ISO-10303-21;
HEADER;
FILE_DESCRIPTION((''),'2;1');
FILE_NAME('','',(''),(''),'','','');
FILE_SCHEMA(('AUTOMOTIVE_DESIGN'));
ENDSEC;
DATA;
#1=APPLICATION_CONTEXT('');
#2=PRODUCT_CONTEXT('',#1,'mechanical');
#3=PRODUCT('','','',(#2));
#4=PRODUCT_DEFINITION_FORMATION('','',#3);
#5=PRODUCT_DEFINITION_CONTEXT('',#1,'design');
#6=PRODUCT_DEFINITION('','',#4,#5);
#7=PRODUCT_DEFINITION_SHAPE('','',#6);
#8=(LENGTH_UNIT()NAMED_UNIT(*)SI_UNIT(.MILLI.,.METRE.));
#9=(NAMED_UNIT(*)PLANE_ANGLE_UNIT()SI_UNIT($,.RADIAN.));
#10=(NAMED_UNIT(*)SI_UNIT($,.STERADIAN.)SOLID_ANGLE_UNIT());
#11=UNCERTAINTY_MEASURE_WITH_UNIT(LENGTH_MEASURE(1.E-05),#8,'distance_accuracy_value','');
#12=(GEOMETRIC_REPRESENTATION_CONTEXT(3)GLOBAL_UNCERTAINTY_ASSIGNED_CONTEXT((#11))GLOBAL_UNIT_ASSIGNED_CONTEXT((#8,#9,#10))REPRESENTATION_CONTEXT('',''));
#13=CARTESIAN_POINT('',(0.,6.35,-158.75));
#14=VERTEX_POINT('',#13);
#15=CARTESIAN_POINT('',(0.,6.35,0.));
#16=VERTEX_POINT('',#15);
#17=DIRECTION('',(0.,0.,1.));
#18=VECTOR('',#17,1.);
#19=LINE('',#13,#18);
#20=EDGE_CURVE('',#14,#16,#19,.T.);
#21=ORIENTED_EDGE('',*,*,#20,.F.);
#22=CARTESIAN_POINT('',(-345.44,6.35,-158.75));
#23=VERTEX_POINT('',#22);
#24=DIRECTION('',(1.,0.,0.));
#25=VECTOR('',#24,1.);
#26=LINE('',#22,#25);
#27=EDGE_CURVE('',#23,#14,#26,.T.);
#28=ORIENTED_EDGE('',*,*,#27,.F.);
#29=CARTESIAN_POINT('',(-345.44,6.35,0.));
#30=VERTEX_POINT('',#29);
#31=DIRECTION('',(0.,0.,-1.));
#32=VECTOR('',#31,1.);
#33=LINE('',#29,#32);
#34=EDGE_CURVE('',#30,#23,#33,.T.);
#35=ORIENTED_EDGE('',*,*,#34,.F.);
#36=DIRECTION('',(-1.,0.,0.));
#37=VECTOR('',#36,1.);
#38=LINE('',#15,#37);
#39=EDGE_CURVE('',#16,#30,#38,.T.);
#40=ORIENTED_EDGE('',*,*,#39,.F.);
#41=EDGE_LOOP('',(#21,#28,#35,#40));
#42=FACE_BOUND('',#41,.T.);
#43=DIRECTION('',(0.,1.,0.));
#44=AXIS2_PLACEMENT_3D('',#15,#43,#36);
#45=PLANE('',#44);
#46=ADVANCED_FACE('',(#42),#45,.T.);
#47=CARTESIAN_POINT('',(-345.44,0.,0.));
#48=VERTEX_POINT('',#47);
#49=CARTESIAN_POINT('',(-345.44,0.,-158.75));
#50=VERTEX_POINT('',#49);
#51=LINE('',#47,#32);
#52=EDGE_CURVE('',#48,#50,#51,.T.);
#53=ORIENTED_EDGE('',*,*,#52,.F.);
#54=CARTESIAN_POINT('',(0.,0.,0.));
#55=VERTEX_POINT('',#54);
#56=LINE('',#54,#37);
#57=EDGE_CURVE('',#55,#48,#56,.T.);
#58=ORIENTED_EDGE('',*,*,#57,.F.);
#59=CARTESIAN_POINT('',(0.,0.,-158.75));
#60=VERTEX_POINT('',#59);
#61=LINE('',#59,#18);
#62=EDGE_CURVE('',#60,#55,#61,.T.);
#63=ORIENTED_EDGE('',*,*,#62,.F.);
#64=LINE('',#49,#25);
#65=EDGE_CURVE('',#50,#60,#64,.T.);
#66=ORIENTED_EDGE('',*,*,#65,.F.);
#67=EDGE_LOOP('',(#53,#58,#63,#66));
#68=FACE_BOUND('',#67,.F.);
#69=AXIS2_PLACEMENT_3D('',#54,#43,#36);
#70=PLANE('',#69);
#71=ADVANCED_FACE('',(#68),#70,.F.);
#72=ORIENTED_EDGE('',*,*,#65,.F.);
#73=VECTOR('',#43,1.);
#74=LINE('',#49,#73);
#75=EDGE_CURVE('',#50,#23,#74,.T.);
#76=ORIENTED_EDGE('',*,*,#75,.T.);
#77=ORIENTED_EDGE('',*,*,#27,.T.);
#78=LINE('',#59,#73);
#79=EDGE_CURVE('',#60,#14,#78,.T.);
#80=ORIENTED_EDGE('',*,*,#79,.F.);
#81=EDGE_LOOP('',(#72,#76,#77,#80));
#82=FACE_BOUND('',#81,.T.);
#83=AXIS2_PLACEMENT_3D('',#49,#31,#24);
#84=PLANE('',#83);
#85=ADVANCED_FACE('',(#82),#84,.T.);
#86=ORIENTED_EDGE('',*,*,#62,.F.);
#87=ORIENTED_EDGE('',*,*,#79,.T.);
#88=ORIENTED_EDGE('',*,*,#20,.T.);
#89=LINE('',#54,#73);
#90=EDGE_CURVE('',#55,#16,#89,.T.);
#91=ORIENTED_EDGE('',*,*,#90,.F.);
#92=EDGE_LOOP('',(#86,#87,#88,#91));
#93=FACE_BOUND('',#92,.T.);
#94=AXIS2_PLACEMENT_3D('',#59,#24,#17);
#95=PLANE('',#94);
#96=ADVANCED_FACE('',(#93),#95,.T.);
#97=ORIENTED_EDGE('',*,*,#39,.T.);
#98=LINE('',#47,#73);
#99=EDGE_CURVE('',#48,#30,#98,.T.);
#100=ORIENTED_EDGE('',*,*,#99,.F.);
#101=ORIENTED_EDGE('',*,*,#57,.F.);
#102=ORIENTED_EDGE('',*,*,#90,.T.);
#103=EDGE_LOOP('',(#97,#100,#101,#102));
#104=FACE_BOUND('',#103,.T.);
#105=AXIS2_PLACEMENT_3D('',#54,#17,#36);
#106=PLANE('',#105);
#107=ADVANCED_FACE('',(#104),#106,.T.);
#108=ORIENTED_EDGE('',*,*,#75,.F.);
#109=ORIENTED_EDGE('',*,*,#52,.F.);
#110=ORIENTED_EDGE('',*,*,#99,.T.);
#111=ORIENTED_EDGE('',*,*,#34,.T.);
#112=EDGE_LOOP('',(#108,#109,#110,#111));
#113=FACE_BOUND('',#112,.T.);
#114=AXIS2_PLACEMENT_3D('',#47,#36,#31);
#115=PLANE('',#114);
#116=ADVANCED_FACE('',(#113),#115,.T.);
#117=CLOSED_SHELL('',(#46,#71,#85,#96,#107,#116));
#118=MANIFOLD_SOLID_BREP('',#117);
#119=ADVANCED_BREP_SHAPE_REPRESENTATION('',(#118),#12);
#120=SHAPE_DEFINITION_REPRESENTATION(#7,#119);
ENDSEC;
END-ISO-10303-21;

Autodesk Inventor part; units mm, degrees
ref_plane "YZ Plane" through (0, 0, 0) normal (1, 0, 0) x (0, 1, 0)
ref_plane "XZ Plane" through (0, 0, 0) normal (0, 1, 0) x (-1, 0, 0)
ref_plane "XY Plane" through (0, 0, 0) normal (0, 0, 1) x (1, 0, 0)
sketch "Sketch1" plane through (0, 0, 0) normal (0, 1, 0) x (-1, 0, 0)
  line L0 (0, 0) -> (345.44, 0)
  line L1 (345.44, 0) -> (345.44, -158.75)
  line L2 (345.44, -158.75) -> (0, -158.75)
  line L3 (0, -158.75) -> (0, 0)
  dimension "d0" = 345.44
  dimension "d1" = 158.75
extrude "Extrusion1" add sketch "Sketch1" along normal blind 6.35
properties part number "floor"
